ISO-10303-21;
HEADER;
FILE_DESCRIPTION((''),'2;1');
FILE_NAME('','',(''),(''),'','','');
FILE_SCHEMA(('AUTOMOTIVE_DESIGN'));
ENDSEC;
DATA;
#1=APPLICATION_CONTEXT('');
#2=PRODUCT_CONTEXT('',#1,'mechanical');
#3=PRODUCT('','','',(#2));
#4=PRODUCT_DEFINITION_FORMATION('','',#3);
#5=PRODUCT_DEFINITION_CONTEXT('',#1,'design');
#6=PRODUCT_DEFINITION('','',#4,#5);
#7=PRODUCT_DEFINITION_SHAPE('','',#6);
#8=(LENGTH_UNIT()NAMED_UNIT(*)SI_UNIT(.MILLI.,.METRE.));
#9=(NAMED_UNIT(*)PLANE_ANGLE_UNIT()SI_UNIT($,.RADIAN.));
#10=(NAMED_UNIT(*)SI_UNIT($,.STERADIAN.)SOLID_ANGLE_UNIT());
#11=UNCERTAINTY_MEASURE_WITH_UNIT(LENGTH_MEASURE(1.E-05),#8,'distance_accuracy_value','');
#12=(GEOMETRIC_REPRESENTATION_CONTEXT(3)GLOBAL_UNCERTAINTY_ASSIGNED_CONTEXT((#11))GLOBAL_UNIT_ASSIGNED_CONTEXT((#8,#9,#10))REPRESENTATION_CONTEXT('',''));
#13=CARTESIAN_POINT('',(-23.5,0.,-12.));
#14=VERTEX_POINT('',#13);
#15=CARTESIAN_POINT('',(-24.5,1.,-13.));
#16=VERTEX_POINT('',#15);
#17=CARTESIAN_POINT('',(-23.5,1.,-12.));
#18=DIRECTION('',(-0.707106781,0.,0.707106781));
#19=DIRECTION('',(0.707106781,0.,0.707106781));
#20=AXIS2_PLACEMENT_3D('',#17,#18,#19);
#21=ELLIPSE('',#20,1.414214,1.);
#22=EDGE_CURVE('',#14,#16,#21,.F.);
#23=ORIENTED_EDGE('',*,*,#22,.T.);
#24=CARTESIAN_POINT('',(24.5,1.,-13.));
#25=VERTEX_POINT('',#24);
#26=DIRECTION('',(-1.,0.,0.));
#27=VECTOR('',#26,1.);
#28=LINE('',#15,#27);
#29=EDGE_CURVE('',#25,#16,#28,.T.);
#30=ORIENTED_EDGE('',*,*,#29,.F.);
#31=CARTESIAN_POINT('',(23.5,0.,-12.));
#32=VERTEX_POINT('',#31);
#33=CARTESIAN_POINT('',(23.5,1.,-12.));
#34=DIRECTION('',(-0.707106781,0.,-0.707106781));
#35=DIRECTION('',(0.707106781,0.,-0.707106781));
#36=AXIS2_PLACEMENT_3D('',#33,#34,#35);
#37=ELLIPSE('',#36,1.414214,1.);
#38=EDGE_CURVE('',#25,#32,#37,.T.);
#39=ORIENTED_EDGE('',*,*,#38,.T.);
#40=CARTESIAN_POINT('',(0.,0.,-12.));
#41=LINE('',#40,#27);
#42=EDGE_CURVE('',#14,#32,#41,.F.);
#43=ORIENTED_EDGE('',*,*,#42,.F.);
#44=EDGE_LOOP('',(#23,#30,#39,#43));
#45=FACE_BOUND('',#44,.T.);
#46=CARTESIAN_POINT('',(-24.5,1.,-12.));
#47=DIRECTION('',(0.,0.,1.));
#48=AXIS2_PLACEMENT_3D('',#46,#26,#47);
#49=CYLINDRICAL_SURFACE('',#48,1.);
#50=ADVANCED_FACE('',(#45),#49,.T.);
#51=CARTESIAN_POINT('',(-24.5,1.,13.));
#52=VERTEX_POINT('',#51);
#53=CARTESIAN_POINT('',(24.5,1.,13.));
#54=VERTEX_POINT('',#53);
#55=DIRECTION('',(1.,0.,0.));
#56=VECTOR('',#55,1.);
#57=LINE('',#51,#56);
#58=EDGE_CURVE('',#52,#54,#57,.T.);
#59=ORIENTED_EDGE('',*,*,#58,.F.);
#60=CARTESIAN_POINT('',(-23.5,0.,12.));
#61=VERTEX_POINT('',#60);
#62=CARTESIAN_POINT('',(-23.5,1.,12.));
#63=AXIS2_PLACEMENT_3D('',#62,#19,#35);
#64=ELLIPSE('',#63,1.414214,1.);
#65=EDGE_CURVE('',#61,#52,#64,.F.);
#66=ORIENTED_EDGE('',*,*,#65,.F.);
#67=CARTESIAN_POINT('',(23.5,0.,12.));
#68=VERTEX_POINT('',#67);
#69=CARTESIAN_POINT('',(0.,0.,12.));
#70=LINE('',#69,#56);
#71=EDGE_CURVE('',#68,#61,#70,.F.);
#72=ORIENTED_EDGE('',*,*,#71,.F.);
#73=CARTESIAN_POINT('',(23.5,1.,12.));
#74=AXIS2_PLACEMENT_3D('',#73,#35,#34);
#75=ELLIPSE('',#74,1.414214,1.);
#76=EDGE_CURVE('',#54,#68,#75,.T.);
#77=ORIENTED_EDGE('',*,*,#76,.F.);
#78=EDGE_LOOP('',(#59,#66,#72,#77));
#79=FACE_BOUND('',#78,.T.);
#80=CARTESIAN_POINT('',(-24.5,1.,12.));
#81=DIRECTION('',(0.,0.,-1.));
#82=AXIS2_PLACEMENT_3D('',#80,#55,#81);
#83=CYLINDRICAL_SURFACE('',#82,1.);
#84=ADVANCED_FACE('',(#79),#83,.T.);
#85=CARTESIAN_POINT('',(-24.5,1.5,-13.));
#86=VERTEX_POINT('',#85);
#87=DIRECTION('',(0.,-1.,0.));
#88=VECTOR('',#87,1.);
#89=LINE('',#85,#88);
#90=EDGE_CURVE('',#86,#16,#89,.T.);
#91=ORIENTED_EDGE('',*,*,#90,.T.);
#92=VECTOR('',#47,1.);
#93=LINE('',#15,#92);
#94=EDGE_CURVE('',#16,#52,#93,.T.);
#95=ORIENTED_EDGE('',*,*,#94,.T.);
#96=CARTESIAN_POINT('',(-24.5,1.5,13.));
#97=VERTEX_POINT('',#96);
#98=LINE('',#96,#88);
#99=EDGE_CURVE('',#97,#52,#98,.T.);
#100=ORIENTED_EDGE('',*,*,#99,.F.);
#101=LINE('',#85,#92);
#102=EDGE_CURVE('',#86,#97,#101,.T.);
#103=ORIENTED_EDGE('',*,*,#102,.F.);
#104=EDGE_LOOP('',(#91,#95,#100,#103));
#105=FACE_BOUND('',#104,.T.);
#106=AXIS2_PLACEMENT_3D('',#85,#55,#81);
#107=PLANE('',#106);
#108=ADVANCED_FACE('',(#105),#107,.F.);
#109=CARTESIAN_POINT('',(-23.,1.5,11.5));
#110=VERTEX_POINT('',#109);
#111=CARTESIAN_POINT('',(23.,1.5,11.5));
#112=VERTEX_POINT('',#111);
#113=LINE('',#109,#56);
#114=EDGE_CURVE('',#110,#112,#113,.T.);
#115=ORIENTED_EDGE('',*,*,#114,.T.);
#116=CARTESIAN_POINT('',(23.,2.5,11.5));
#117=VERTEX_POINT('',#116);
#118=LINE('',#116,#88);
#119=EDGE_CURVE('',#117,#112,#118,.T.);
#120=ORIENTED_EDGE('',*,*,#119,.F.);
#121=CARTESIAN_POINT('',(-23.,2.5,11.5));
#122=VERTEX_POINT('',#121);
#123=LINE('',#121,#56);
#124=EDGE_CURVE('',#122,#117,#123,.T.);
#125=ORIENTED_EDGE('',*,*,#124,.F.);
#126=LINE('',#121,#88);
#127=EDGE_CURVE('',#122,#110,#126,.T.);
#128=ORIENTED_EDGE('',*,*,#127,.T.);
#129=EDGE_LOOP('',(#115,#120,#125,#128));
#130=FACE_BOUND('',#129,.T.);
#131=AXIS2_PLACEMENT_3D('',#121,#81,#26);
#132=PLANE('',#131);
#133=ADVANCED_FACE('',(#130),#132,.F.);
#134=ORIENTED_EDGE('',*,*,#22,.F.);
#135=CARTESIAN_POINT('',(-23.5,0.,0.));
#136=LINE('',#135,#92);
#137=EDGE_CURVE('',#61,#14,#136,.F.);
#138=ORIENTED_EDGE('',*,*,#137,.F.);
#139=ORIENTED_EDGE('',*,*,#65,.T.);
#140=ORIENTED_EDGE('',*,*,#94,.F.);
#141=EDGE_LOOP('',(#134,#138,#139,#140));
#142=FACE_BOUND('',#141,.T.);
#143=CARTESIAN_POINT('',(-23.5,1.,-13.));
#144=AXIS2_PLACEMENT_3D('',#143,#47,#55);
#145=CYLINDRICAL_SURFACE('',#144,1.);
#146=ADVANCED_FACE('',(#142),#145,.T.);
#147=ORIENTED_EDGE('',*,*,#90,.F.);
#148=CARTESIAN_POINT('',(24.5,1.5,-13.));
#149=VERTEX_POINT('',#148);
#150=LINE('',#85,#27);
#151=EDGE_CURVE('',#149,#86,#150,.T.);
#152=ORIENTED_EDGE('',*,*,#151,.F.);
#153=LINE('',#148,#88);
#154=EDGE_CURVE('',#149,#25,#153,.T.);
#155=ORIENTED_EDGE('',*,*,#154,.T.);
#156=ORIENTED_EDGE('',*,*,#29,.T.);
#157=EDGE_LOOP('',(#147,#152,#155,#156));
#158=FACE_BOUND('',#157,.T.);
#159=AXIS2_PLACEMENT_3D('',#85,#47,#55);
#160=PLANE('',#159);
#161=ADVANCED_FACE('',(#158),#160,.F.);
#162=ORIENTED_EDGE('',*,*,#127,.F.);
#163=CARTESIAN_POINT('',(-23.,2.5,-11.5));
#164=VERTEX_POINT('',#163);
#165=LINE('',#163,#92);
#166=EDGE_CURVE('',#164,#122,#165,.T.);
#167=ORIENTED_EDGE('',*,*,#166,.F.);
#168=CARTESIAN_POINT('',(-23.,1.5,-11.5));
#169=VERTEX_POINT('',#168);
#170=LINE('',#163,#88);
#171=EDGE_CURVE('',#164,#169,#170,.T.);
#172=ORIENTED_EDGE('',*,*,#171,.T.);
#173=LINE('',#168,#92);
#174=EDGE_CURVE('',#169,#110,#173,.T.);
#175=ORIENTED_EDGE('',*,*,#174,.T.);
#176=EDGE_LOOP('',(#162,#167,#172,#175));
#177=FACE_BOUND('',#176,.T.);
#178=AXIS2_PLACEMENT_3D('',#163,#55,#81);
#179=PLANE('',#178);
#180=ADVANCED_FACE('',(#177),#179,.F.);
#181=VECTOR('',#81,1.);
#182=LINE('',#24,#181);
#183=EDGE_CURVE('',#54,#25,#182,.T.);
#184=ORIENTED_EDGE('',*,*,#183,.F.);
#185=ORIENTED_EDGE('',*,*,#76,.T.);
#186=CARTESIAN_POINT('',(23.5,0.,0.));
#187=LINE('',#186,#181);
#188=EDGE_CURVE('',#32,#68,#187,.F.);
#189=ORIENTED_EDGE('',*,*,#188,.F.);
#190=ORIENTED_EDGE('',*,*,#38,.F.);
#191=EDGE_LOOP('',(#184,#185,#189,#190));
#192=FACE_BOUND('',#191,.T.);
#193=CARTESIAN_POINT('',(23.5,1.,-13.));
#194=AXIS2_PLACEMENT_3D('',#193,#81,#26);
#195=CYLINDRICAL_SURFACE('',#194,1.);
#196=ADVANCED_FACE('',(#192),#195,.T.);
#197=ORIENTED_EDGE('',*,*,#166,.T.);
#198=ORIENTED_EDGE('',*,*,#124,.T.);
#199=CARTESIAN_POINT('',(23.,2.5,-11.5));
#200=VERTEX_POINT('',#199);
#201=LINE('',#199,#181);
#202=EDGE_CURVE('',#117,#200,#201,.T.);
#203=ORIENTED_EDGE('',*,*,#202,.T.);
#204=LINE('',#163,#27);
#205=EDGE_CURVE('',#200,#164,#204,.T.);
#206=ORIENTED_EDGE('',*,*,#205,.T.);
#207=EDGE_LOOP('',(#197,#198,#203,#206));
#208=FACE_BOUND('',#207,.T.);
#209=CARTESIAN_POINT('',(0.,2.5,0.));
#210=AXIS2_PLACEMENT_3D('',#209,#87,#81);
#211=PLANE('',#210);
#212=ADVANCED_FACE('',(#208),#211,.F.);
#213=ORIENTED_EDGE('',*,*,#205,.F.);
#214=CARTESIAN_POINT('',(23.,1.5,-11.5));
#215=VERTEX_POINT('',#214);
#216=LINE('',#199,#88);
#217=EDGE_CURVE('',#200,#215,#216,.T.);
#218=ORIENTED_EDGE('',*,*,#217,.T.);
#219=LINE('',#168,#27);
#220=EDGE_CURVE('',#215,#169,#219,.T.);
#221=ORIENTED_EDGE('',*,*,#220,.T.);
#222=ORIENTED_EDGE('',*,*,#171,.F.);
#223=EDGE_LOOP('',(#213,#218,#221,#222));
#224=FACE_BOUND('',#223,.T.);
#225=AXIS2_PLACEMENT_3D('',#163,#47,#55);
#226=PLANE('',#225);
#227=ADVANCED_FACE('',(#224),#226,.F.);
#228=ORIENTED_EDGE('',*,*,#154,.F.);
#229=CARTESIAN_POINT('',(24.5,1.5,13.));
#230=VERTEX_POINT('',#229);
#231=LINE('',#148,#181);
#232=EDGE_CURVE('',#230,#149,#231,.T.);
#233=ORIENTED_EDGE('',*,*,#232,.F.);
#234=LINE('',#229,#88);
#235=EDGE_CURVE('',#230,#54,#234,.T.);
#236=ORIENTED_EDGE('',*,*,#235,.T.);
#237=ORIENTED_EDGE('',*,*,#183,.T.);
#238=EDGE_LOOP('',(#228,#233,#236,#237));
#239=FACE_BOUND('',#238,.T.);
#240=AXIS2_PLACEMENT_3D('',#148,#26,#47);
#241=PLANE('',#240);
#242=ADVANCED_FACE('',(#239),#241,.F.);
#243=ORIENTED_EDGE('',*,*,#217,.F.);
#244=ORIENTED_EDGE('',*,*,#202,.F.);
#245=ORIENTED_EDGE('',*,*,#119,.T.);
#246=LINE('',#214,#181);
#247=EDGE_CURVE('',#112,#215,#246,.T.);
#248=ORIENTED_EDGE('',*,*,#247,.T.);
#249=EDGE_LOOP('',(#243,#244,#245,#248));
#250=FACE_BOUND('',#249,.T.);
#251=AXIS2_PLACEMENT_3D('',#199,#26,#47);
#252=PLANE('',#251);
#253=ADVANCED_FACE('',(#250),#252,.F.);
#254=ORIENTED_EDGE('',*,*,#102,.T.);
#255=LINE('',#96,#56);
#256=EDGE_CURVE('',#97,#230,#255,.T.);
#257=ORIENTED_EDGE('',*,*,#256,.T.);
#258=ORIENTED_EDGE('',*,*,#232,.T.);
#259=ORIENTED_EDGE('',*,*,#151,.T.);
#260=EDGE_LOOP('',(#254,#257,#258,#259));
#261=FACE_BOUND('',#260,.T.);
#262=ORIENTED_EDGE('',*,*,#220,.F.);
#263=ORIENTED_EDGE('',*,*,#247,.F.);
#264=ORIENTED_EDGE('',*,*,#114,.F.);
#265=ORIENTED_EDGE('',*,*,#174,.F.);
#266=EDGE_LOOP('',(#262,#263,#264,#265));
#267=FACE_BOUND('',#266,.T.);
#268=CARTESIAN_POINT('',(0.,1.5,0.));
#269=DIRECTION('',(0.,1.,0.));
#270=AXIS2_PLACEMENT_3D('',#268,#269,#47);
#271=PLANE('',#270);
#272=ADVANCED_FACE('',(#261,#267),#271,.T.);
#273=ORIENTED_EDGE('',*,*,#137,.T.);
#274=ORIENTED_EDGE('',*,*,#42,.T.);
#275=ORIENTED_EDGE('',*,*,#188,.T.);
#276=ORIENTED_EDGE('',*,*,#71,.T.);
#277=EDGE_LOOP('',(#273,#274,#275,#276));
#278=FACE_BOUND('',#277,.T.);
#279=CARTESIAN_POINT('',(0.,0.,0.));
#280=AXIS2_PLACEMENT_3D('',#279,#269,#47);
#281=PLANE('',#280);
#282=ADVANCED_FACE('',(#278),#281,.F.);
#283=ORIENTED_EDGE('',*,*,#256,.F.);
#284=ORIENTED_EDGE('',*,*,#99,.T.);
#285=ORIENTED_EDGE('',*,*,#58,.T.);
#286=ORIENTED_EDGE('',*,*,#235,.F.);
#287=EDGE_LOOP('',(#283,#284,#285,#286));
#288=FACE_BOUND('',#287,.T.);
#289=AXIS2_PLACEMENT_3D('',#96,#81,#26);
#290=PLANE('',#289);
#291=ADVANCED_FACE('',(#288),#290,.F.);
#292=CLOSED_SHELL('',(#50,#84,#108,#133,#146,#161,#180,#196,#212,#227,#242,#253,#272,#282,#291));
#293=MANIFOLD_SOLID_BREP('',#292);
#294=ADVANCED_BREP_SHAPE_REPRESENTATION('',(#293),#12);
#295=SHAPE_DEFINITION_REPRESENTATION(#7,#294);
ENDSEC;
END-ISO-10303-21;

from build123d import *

# Parameters (mm, degrees)
SKETCH_1_W      = 49
SKETCH_1_H      = 26
EXTRUDE_1_DEPTH = 1.5
SKETCH_2_W      = 46
SKETCH_2_H      = 23
EXTRUDE_2_DEPTH = 1
FILLET_1_R      = 1


with BuildPart() as part:
    # 草图1 → 凸台-拉伸1 (new body)
    with BuildSketch(Plane(origin=(0, 0, 0), x_dir=(1, 0, 0), z_dir=(0, 1, 0))):
        Rectangle(SKETCH_1_W, SKETCH_1_H)
    extrude(amount=EXTRUDE_1_DEPTH)

    # 草图2 → 凸台-拉伸2 (add)
    with BuildSketch(Plane(origin=(0, 1.5, 0), x_dir=(1, 0, 0), z_dir=(0, 1, 0))):
        Rectangle(SKETCH_2_W, SKETCH_2_H)
    extrude(amount=EXTRUDE_2_DEPTH)

    # 圆角1
    fillet_1_edges = [part.edges().sort_by_distance(p)[0] for p in [
        (0, 0, 13),
        (-24.5, 0, 0),
        (0, 0, -13),
        (24.5, 0, 0),
    ]]
    fillet(fillet_1_edges, radius=FILLET_1_R)


solid = part.part
